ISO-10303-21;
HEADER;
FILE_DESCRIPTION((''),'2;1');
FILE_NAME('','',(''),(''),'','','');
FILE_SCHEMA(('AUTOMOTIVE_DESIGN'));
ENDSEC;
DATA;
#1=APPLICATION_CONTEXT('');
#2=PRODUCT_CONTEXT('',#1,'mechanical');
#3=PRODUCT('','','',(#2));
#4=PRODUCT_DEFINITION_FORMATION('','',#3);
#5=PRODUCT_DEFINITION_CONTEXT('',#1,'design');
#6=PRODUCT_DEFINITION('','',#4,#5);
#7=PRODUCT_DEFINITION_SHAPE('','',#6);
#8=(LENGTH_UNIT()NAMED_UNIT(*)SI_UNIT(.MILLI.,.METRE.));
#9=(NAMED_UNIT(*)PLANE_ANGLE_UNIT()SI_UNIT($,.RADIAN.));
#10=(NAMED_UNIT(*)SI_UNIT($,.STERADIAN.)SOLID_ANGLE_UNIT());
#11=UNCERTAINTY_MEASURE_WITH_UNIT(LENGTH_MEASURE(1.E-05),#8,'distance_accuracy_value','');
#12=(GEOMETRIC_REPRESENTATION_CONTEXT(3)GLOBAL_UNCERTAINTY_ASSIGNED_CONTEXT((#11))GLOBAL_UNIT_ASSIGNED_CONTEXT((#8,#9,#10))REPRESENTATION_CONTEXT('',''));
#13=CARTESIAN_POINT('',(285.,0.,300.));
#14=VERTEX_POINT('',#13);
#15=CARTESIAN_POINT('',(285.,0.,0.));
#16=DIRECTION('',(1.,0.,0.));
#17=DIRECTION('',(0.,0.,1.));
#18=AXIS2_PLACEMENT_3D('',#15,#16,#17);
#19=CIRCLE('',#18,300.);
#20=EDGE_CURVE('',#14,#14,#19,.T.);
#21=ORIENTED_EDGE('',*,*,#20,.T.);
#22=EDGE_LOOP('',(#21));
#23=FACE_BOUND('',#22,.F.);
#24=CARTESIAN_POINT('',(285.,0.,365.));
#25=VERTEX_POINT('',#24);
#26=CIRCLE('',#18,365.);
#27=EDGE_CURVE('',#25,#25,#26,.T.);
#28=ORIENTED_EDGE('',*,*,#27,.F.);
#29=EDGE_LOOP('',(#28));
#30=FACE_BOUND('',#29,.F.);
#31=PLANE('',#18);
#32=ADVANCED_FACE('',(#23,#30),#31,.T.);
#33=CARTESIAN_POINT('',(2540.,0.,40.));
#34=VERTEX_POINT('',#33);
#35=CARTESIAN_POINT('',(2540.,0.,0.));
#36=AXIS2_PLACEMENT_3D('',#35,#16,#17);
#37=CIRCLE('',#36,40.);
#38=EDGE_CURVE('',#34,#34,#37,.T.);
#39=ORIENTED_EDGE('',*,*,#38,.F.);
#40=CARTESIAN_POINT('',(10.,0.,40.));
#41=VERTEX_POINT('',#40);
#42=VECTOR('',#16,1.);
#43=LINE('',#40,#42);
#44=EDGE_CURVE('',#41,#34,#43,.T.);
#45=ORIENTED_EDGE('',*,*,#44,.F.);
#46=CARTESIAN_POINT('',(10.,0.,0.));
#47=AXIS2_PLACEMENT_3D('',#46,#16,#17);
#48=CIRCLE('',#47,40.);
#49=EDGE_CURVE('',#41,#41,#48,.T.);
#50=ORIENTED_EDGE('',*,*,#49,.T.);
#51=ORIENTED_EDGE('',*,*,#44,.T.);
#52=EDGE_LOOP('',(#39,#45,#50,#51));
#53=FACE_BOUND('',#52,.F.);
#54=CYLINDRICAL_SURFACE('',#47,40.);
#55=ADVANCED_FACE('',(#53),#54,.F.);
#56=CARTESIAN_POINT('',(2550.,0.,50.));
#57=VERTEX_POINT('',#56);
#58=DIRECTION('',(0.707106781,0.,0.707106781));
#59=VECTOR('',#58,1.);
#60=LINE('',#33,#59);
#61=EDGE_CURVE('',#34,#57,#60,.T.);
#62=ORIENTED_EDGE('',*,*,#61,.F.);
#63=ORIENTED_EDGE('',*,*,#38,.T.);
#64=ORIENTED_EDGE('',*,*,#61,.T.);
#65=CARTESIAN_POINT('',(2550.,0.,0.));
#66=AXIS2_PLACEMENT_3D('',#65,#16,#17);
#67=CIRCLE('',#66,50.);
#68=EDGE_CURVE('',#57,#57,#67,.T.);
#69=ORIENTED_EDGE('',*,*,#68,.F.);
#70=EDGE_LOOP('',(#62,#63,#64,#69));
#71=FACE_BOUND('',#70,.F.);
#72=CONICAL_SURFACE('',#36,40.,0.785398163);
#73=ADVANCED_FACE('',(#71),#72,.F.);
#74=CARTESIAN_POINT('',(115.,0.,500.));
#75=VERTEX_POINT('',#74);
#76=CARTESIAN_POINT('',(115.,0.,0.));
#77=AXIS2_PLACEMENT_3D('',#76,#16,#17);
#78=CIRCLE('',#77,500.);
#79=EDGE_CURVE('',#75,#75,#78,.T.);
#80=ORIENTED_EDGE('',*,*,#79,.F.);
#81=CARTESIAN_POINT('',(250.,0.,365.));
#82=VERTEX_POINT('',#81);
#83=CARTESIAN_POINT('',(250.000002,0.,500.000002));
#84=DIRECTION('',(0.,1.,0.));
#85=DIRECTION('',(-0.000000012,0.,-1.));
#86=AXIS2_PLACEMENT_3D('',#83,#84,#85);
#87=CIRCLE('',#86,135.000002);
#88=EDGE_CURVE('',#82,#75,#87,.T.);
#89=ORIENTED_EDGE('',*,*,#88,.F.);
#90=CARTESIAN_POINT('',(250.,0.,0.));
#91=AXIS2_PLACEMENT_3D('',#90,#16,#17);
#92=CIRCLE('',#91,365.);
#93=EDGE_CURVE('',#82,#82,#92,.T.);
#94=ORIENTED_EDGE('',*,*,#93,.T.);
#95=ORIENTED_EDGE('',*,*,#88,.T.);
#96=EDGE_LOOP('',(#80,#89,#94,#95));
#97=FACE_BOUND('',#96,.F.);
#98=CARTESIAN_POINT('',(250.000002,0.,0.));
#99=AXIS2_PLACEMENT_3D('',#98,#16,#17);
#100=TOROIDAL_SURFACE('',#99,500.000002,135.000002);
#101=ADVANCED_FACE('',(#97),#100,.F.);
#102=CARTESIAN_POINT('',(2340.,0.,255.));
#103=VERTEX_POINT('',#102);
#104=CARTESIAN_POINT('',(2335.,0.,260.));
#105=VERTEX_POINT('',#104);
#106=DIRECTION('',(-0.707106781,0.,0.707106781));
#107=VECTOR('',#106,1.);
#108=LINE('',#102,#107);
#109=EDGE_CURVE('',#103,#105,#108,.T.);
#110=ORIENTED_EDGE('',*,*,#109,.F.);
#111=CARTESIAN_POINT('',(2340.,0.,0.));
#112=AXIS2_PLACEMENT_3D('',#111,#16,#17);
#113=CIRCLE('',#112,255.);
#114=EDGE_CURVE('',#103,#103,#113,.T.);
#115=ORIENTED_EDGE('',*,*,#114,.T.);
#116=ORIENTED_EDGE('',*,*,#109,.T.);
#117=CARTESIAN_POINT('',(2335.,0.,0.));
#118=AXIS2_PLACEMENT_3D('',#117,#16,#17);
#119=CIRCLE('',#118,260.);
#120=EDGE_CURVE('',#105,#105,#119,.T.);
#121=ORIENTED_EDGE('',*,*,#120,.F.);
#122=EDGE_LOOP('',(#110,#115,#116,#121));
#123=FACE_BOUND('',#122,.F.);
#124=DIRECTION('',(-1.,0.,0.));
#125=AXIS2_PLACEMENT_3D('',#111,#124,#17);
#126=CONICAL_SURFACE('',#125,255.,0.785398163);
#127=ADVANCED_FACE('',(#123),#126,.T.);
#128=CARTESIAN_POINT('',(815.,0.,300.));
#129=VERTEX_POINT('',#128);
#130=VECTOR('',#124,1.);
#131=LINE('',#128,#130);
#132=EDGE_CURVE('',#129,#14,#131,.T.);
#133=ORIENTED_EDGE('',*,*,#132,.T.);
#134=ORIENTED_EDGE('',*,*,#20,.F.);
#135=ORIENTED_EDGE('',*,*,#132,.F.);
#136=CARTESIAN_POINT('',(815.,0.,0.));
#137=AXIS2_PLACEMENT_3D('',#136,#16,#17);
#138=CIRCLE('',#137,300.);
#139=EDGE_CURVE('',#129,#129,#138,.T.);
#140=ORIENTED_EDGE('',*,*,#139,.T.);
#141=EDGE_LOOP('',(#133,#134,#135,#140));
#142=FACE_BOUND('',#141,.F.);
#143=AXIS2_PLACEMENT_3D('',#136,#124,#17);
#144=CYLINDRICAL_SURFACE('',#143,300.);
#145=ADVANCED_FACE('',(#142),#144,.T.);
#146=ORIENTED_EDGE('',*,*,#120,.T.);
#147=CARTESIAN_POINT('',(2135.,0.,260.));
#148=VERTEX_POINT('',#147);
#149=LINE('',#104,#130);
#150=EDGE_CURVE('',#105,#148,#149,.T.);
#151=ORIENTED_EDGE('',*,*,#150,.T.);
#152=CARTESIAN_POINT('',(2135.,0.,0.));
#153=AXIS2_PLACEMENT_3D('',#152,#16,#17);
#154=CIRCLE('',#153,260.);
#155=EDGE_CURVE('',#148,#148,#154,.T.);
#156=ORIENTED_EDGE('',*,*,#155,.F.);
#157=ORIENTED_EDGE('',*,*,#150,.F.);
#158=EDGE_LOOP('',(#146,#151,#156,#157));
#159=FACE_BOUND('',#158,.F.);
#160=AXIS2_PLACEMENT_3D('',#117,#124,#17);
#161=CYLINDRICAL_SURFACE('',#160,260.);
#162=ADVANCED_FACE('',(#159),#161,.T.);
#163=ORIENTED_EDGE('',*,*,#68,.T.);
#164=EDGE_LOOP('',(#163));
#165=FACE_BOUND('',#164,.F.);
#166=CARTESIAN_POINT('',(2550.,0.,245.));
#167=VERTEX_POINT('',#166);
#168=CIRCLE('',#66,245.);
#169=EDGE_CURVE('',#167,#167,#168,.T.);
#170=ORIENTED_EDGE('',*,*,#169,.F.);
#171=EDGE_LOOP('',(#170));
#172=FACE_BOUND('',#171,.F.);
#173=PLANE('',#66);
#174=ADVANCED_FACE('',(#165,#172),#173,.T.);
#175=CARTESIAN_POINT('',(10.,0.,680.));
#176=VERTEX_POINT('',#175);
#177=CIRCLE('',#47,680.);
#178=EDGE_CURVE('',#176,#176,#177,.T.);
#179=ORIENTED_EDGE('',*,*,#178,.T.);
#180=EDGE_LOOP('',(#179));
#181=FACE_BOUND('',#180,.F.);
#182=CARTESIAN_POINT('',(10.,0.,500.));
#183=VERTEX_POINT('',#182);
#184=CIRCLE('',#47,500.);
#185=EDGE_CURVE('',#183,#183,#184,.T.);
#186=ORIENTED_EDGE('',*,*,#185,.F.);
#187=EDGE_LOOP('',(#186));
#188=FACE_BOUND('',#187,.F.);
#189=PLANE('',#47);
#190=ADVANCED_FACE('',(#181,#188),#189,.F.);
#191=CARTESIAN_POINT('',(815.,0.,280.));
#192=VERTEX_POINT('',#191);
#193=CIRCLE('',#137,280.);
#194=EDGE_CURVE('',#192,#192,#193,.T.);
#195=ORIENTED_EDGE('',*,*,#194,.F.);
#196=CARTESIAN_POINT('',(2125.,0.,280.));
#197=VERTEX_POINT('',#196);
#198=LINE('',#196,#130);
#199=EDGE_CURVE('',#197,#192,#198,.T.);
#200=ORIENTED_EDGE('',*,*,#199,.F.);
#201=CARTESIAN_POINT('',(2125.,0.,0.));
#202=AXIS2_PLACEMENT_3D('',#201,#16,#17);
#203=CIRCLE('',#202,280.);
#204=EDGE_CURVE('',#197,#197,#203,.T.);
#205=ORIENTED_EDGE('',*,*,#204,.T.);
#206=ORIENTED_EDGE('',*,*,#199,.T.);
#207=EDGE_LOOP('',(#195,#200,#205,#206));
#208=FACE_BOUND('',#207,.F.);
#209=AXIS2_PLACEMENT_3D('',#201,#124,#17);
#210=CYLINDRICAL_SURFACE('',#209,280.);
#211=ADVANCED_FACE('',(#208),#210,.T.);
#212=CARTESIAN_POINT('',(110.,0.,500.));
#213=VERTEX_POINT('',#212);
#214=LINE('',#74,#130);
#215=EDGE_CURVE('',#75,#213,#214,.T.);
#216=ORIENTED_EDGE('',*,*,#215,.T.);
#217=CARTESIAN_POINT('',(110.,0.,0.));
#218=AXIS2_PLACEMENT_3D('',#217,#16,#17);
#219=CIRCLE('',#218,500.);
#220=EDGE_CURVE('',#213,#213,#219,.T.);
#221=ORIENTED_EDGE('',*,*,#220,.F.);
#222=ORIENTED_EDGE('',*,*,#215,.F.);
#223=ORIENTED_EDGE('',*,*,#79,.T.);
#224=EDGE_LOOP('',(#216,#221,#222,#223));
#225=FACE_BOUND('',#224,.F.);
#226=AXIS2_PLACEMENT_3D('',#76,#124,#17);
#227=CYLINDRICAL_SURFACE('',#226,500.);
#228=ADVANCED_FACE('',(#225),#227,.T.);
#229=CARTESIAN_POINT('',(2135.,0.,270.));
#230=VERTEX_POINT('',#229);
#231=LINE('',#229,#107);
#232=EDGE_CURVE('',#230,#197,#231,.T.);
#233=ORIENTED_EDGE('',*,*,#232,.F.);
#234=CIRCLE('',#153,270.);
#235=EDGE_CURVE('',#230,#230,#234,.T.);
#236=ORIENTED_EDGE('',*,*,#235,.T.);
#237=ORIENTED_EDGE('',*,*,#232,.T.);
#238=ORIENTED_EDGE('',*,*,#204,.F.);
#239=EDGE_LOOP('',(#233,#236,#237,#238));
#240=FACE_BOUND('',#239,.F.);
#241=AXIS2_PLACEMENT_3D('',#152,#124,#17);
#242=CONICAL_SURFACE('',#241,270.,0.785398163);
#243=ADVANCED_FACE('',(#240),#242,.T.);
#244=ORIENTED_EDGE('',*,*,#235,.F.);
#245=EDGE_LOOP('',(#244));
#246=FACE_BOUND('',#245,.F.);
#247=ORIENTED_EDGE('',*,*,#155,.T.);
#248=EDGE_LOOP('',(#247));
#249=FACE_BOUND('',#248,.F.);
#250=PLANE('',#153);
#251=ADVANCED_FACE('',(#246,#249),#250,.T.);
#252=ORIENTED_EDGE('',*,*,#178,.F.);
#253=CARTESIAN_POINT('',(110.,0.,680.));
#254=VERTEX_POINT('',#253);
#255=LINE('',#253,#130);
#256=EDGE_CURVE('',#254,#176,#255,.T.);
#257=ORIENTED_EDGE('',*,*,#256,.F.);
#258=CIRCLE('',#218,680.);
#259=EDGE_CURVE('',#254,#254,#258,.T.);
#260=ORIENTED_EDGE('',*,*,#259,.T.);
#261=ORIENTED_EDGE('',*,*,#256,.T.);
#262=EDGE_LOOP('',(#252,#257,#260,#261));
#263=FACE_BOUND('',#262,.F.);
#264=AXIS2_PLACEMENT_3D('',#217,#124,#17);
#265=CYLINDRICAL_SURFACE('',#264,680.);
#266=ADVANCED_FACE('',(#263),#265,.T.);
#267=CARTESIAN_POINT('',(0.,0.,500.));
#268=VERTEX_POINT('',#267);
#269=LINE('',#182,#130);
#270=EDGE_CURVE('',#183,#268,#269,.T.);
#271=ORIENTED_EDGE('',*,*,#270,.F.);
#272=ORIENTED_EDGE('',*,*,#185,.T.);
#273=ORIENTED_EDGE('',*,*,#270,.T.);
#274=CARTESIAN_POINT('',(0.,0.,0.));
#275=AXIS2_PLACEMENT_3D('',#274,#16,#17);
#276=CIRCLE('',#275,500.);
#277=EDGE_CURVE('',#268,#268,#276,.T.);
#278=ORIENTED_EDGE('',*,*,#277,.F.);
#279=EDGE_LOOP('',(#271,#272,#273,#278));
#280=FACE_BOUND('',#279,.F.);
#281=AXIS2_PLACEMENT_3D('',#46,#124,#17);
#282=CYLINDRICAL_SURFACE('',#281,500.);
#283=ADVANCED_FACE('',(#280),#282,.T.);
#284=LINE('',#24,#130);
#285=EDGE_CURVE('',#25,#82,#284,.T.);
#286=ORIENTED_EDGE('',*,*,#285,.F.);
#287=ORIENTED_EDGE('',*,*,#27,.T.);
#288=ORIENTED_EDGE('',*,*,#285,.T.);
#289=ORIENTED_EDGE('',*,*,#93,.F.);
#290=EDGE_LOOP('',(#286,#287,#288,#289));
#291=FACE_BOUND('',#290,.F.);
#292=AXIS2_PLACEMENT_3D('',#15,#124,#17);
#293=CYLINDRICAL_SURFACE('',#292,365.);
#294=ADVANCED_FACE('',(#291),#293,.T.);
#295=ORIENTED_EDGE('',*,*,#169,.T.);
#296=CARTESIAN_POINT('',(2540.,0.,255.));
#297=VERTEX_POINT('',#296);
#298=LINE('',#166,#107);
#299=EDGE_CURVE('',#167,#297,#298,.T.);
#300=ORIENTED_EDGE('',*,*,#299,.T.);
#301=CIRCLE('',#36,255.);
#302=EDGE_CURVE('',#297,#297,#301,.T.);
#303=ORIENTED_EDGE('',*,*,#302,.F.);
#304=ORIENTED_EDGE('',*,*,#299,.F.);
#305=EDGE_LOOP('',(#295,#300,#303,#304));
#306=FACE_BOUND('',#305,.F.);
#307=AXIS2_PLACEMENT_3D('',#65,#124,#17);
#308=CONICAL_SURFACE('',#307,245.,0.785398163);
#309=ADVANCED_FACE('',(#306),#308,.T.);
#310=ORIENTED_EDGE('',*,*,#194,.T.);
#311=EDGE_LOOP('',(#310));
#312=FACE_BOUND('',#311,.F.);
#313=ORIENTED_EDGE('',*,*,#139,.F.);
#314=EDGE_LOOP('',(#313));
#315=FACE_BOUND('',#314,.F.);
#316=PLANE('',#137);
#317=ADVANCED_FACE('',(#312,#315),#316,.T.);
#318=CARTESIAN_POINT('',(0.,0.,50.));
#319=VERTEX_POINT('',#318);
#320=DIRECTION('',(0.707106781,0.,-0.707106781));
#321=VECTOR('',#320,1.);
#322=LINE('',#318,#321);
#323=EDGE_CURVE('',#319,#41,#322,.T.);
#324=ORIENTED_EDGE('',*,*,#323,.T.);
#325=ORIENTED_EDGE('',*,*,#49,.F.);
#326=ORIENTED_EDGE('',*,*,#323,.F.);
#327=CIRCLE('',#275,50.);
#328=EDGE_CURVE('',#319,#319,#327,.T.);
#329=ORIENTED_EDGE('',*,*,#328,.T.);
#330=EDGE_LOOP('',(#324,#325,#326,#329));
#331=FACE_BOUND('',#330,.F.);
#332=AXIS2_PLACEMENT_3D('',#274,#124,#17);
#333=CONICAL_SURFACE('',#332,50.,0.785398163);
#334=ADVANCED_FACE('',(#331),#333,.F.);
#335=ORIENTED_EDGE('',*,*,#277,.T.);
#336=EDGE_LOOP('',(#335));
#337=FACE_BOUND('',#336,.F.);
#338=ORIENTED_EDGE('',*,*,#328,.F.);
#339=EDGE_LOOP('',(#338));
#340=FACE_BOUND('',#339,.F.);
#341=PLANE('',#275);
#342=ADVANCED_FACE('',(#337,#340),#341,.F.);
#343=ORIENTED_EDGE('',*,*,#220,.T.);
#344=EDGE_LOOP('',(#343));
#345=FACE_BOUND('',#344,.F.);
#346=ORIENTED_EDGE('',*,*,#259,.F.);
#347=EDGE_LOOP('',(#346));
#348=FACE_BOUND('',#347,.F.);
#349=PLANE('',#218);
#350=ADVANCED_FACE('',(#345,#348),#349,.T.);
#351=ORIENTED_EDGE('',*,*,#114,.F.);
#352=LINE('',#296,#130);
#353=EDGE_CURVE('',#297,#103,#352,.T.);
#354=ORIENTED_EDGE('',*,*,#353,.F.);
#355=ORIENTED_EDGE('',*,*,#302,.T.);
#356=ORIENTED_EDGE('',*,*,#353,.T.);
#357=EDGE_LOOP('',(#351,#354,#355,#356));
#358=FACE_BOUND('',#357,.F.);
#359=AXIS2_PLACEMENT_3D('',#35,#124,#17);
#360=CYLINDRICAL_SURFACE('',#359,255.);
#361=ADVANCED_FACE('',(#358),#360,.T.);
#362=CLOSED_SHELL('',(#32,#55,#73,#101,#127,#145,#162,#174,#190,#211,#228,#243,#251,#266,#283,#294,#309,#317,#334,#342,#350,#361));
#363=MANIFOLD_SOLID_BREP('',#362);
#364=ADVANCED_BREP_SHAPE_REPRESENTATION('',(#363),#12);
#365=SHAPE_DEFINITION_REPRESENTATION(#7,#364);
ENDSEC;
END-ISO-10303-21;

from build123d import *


with BuildPart() as f1:
    # F0 (on Front) → F1 (revolve)
    with BuildSketch(Plane.XZ):
        with BuildLine():
            Line((0, 50), (10, 40))
            Line((10, 40), (2540, 40))
            Line((2540, 40), (2550, 50))
            Line((2550, 50), (2550, 245))
            Line((2550, 245), (2540, 255))
            Line((2540, 255), (2340, 255))
            Line((2340, 255), (2335, 260))
            Line((2335, 260), (2135, 260))
            Line((2135, 260), (2135, 270))
            Line((2135, 270), (2125, 280))
            Line((2125, 280), (815, 280))
            Line((815, 280), (815, 300))
            Line((815, 300), (285, 300))
            Line((285, 300), (285, 365))
            Line((285, 365), (250, 365))
            ThreePointArc((250, 365), (154.540585, 404.540585), (115, 500))
            Line((115, 500), (110, 500))
            Line((110, 500), (110, 680))
            Line((110, 680), (10, 680))
            Line((10, 680), (10, 500))
            Line((10, 500), (0, 500))
            Line((0, 500), (0, 50))
        make_face()
    revolve(axis=Axis((1275, 0, 0), (1, 0, 0)))


solid = f1.part
